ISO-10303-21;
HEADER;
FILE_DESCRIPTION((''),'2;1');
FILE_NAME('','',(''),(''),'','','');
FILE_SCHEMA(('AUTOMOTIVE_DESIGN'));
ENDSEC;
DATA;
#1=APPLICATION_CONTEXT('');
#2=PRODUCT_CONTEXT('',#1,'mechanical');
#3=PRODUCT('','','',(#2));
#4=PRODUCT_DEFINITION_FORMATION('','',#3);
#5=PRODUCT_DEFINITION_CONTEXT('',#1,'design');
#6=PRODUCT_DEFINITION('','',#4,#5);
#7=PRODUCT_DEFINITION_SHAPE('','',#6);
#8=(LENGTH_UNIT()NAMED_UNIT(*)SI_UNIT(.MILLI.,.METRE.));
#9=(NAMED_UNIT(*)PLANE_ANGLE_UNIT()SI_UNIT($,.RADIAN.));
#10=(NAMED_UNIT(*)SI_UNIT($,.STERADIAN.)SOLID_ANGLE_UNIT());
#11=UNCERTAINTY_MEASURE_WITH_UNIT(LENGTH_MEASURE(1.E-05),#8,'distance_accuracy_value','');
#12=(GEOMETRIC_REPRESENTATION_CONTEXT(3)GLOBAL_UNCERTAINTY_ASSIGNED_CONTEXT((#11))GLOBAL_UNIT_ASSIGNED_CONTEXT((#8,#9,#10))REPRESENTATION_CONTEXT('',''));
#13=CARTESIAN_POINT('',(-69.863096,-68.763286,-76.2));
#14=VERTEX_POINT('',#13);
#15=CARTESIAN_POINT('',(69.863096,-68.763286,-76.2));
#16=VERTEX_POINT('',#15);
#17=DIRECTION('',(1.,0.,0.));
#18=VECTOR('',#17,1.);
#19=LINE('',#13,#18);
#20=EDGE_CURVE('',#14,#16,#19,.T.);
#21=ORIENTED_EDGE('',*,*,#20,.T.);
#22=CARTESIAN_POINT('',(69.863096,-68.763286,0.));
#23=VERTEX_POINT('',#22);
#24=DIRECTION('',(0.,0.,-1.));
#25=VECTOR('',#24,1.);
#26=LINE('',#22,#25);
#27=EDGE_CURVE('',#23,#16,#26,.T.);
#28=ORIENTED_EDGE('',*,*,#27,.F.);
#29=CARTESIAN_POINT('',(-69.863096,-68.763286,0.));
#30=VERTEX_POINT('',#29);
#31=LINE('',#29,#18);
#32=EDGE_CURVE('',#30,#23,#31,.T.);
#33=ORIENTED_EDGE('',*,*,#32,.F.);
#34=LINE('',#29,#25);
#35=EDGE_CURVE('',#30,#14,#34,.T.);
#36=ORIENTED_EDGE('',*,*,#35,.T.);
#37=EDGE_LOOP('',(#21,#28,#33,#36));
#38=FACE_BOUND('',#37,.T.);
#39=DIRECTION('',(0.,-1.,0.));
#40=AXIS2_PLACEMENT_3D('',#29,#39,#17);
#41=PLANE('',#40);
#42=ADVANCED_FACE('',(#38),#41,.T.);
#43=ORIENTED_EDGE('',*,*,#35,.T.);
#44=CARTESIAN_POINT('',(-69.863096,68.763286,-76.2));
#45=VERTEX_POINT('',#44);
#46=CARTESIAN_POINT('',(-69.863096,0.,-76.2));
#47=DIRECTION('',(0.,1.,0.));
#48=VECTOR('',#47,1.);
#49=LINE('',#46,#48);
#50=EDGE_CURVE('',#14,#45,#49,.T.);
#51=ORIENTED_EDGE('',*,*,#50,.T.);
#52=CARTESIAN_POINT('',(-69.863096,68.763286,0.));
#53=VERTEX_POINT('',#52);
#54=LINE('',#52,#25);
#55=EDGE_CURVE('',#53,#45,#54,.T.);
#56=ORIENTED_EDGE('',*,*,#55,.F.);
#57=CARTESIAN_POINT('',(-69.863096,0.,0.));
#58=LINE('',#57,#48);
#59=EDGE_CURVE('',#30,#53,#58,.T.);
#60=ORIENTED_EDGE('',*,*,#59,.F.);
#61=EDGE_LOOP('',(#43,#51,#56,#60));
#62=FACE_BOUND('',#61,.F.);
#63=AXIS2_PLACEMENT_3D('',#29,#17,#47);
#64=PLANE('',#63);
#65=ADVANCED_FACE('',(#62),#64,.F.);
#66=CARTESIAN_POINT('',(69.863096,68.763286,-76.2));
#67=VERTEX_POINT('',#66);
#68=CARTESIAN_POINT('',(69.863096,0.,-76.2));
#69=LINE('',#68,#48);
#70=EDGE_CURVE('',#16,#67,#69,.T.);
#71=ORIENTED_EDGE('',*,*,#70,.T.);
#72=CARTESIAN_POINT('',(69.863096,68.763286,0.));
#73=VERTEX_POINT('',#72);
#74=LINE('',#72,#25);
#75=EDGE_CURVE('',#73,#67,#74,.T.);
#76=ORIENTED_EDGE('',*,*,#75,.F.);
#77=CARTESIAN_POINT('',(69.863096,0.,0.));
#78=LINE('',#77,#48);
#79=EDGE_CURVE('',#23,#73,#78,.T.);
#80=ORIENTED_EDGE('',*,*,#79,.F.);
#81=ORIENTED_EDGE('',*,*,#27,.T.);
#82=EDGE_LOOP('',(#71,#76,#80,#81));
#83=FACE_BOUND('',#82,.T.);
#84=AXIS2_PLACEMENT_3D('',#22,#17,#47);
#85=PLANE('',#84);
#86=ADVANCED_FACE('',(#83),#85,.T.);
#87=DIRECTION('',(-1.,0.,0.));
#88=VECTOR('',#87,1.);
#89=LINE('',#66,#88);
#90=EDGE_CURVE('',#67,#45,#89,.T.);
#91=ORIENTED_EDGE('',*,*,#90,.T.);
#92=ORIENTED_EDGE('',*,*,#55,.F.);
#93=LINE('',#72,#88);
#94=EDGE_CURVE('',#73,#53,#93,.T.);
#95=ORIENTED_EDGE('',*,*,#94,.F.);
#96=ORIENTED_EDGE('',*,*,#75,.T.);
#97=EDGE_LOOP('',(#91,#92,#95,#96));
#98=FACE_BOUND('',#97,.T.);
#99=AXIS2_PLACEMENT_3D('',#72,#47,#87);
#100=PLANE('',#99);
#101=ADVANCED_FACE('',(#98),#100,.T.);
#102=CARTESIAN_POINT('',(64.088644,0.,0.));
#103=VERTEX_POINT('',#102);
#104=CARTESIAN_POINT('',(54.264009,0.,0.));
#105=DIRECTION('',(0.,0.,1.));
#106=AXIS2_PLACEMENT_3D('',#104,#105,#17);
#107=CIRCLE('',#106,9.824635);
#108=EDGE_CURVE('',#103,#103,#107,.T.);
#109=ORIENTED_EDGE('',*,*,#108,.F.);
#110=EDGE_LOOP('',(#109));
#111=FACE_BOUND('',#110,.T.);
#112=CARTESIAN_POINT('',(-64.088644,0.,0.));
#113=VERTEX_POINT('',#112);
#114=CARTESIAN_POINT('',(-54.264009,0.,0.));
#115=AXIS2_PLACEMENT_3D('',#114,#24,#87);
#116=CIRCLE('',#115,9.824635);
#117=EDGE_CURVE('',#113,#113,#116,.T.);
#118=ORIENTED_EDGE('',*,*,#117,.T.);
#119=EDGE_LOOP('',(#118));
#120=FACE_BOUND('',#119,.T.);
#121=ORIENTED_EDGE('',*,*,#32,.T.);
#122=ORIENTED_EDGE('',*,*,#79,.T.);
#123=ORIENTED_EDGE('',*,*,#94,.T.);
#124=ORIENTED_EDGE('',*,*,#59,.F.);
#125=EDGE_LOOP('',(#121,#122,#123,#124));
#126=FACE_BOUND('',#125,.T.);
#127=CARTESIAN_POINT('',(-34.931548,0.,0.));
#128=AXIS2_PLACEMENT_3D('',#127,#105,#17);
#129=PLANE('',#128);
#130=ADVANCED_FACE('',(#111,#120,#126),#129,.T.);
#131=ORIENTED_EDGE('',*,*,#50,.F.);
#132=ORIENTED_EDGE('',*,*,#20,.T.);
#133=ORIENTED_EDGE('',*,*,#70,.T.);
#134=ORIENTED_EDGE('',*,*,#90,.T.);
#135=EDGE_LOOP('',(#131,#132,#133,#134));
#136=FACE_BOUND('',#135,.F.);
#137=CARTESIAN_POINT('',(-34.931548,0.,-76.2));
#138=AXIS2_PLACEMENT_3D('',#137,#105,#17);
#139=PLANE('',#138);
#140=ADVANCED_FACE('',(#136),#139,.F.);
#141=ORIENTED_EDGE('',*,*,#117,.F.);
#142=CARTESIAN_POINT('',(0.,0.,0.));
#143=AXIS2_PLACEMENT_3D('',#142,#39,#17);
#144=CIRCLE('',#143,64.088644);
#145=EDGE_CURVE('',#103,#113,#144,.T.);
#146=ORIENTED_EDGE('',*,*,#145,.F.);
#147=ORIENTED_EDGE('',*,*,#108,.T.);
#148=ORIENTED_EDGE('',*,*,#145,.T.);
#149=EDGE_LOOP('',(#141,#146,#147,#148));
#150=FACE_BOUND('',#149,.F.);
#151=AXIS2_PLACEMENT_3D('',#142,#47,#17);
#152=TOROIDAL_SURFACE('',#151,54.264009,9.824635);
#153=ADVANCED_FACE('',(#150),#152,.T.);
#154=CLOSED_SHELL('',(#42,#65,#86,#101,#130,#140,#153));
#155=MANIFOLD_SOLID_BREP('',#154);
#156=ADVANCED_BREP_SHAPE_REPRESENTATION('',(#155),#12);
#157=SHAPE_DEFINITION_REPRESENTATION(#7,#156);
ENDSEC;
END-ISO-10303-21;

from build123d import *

# Parameters (mm, degrees)
F1_R     = 9.824635
F2_ANGLE = 180
F0_W     = 69.863096
F0_H     = 137.526572
F3_DEPTH = 76.2


with BuildPart() as f2:
    # F1 (on Top) → F2 (revolve)
    with BuildSketch(Plane.XY):
        with Locations((54.264009, 0)):
            Circle(F1_R)
    revolve(axis=Axis((0, 0, 0), (0, -1, 0)), revolution_arc=F2_ANGLE)

    # F0 (on Top) → F3 (join)
    with BuildSketch(Plane.XY):
        with Locations((-34.931548, 0)):
            Rectangle(F0_W, F0_H)
        with Locations((34.931548, 0)):
            Rectangle(F0_W, F0_H)
    extrude(amount=-F3_DEPTH)


solid = f2.part
